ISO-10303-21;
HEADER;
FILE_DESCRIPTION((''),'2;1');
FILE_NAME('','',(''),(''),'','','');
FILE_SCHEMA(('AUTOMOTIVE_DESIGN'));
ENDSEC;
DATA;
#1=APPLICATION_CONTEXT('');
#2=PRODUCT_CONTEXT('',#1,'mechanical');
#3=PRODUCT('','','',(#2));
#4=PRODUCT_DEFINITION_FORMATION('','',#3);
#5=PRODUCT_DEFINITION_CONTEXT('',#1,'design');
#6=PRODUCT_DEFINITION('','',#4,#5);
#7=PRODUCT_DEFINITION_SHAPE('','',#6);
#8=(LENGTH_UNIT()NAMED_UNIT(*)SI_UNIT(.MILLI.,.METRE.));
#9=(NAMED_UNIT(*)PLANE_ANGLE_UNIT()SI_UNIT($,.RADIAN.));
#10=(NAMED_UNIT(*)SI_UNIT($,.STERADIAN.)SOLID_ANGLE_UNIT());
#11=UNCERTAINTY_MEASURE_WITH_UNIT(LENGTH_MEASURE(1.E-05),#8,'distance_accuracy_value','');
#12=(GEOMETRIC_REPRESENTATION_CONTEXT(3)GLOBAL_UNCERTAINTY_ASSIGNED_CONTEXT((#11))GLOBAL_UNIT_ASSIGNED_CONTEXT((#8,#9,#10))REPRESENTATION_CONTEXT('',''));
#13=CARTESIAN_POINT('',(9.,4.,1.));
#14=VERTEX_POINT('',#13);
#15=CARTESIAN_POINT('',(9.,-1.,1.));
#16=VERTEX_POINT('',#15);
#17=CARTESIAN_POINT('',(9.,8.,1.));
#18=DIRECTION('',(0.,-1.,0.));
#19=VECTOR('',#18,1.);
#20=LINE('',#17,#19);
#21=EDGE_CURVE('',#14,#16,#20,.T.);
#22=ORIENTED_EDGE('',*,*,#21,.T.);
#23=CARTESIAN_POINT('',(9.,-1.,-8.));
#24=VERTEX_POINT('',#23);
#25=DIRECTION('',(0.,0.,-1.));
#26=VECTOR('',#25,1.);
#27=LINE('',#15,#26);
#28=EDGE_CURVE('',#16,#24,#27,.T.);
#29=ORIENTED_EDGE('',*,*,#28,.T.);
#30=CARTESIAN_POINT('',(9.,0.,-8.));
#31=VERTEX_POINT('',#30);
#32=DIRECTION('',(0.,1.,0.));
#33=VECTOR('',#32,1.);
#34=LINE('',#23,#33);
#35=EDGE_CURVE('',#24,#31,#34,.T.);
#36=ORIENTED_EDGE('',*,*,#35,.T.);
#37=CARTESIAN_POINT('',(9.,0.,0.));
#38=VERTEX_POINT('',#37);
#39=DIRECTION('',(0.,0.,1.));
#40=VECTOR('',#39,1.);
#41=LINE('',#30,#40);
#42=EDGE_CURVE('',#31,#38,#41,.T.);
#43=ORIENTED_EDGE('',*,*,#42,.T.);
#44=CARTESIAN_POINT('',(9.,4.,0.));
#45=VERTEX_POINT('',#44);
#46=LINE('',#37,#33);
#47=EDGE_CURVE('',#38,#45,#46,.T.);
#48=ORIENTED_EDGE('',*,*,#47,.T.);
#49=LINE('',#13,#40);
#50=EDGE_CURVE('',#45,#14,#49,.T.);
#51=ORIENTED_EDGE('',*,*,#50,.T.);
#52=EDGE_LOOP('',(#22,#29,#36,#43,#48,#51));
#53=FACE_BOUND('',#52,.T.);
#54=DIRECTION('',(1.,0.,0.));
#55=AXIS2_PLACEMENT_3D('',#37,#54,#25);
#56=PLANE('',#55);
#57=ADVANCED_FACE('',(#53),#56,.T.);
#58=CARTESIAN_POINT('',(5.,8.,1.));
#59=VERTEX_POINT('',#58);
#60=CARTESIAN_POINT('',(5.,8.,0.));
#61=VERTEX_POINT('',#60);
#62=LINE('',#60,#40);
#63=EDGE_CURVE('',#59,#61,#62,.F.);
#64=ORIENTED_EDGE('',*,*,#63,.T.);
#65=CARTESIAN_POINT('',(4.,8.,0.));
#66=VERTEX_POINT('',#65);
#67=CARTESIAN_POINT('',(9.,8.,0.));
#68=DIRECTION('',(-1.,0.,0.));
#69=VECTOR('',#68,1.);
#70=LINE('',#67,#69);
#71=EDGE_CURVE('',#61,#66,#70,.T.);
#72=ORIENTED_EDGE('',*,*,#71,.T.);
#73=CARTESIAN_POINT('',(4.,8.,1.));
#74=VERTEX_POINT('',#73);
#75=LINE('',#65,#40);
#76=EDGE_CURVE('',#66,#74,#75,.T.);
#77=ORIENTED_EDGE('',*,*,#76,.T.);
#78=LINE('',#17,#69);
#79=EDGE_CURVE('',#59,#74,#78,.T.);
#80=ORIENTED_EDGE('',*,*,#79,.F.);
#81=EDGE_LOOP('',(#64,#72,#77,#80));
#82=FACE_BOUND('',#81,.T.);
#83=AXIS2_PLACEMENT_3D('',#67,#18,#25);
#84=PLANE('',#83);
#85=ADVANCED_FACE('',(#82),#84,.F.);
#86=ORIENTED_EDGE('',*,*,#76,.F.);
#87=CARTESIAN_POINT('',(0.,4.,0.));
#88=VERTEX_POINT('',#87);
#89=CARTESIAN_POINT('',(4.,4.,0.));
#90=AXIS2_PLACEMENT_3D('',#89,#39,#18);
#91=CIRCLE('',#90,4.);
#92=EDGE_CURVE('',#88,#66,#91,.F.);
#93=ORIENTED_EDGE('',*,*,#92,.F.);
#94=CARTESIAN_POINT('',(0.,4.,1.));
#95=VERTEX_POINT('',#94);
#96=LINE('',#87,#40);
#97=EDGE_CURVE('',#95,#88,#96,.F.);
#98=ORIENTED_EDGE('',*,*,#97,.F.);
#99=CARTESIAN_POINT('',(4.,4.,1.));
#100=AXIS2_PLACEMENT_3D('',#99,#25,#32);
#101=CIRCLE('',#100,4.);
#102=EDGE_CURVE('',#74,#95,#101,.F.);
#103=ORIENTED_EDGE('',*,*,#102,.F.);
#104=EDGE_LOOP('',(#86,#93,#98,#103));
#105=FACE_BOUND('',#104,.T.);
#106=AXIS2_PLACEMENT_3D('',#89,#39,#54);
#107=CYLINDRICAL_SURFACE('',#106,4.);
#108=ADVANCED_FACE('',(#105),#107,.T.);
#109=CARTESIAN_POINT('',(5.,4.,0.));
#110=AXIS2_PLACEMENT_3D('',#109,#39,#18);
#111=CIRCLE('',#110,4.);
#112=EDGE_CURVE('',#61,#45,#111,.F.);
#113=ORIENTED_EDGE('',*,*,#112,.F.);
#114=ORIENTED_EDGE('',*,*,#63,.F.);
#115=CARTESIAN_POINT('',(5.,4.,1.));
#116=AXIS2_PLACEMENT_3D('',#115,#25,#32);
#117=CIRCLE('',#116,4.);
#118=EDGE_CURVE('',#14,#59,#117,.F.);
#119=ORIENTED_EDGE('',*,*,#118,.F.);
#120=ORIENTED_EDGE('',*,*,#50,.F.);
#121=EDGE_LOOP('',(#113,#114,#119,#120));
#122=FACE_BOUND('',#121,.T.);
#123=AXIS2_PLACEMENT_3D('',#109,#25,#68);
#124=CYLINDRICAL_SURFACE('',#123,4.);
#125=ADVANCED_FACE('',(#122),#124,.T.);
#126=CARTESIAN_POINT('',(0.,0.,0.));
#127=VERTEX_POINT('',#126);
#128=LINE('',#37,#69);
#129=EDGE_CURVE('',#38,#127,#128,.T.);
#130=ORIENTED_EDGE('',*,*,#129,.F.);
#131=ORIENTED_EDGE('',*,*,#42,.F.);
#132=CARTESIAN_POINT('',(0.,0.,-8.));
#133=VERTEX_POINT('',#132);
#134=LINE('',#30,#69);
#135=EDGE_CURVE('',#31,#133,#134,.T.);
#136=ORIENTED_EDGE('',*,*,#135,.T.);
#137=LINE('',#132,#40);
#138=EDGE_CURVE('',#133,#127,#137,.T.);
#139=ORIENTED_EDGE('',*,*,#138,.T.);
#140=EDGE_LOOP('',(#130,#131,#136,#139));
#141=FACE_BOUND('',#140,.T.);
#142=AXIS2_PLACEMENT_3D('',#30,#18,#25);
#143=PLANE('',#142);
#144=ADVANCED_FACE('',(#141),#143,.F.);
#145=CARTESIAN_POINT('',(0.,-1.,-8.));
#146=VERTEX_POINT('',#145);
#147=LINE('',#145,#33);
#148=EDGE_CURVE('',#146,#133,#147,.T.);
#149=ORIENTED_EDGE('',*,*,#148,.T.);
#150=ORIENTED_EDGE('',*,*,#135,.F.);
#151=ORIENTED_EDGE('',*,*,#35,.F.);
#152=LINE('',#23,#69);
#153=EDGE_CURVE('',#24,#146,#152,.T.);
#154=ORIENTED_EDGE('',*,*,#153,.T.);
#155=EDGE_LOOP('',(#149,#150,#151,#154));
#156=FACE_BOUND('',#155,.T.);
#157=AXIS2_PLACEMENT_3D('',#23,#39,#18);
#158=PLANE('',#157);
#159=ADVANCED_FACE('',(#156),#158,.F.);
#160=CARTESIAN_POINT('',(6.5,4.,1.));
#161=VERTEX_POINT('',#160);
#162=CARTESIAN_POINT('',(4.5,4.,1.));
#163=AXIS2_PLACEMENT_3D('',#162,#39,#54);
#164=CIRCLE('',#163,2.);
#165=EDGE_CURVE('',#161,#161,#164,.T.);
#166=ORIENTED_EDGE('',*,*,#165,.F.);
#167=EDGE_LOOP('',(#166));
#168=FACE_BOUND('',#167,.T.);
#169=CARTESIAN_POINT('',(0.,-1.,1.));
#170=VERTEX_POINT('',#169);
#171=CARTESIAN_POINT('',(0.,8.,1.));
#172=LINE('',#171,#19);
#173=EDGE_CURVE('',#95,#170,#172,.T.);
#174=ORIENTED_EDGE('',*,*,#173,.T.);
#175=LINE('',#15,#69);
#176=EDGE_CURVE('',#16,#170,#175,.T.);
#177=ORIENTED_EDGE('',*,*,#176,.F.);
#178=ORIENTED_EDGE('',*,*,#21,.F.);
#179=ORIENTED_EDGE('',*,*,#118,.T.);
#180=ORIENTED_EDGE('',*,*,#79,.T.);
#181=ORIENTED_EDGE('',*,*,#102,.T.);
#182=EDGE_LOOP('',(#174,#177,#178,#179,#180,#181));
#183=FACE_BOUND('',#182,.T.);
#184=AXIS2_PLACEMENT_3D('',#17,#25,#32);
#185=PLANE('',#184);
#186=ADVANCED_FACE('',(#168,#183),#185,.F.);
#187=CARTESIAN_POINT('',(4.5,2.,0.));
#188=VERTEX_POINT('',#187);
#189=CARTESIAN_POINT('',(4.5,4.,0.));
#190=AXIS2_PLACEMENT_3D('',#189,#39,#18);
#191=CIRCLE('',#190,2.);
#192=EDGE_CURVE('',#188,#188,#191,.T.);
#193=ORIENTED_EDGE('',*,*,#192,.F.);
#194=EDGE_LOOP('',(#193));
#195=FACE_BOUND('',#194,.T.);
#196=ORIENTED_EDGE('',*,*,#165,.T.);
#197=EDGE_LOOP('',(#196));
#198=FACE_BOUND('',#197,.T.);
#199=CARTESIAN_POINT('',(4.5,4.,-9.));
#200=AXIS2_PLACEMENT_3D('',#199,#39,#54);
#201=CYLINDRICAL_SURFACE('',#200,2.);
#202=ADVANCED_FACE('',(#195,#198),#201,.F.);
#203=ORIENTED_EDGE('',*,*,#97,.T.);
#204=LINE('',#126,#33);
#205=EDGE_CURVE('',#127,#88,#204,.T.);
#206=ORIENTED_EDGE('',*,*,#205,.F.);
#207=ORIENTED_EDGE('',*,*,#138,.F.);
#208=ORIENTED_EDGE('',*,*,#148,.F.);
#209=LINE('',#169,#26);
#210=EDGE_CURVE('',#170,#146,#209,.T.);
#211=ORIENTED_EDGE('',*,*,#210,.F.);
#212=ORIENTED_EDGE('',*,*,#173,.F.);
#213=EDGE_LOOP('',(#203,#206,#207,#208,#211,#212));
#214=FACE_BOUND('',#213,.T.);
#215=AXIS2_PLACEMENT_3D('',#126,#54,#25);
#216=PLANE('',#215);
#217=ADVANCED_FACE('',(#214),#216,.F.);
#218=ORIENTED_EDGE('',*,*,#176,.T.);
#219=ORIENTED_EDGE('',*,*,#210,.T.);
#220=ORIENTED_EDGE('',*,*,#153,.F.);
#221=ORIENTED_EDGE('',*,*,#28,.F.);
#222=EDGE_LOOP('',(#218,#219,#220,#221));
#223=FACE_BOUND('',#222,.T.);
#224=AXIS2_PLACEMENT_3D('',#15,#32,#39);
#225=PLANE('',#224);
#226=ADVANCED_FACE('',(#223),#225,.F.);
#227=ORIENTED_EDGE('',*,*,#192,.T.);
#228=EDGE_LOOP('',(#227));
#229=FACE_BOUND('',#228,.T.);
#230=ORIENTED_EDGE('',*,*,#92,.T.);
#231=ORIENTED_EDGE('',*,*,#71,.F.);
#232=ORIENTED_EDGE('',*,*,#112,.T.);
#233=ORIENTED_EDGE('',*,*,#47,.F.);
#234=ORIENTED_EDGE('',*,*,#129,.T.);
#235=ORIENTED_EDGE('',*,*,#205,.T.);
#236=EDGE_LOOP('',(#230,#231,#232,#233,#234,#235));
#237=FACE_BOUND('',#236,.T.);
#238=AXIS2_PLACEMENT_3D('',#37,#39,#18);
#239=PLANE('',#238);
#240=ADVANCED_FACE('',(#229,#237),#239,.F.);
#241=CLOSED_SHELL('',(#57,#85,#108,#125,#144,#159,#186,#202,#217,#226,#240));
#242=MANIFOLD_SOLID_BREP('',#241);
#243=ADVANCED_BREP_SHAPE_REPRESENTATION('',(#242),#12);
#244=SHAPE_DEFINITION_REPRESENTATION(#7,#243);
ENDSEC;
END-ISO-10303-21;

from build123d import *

# Parameters (mm, degrees)
BOSS_EXTRUDE1_DEPTH = 9
SKETCH2_R           = 2
CUT_EXTRUDE1_DEPTH  = 10
FILLET1_R           = 4


with BuildPart() as part:
    # Sketch1 → Boss-Extrude1 (new body)
    with BuildSketch(Plane(origin=(0, 0, 0), x_dir=(0, 0, -1), z_dir=(1, 0, 0))):
        Polygon((-1, 8), (-1, -1), (8, -1), (8, 0), (0, 0), (0, 8), align=None)
    extrude(amount=BOSS_EXTRUDE1_DEPTH)

    # Sketch2 → Cut-Extrude1 (cut)
    with BuildSketch(Plane.XY.offset(1)):
        with Locations((4.5, 4)):
            Circle(SKETCH2_R)
    extrude(amount=-CUT_EXTRUDE1_DEPTH, mode=Mode.SUBTRACT)

    # Fillet1
    fillet1_edges = [part.edges().sort_by_distance(p)[0] for p in [
        (9, 8, 0.5),
        (0, 8, 0.5),
    ]]
    fillet(fillet1_edges, radius=FILLET1_R)


solid = part.part
